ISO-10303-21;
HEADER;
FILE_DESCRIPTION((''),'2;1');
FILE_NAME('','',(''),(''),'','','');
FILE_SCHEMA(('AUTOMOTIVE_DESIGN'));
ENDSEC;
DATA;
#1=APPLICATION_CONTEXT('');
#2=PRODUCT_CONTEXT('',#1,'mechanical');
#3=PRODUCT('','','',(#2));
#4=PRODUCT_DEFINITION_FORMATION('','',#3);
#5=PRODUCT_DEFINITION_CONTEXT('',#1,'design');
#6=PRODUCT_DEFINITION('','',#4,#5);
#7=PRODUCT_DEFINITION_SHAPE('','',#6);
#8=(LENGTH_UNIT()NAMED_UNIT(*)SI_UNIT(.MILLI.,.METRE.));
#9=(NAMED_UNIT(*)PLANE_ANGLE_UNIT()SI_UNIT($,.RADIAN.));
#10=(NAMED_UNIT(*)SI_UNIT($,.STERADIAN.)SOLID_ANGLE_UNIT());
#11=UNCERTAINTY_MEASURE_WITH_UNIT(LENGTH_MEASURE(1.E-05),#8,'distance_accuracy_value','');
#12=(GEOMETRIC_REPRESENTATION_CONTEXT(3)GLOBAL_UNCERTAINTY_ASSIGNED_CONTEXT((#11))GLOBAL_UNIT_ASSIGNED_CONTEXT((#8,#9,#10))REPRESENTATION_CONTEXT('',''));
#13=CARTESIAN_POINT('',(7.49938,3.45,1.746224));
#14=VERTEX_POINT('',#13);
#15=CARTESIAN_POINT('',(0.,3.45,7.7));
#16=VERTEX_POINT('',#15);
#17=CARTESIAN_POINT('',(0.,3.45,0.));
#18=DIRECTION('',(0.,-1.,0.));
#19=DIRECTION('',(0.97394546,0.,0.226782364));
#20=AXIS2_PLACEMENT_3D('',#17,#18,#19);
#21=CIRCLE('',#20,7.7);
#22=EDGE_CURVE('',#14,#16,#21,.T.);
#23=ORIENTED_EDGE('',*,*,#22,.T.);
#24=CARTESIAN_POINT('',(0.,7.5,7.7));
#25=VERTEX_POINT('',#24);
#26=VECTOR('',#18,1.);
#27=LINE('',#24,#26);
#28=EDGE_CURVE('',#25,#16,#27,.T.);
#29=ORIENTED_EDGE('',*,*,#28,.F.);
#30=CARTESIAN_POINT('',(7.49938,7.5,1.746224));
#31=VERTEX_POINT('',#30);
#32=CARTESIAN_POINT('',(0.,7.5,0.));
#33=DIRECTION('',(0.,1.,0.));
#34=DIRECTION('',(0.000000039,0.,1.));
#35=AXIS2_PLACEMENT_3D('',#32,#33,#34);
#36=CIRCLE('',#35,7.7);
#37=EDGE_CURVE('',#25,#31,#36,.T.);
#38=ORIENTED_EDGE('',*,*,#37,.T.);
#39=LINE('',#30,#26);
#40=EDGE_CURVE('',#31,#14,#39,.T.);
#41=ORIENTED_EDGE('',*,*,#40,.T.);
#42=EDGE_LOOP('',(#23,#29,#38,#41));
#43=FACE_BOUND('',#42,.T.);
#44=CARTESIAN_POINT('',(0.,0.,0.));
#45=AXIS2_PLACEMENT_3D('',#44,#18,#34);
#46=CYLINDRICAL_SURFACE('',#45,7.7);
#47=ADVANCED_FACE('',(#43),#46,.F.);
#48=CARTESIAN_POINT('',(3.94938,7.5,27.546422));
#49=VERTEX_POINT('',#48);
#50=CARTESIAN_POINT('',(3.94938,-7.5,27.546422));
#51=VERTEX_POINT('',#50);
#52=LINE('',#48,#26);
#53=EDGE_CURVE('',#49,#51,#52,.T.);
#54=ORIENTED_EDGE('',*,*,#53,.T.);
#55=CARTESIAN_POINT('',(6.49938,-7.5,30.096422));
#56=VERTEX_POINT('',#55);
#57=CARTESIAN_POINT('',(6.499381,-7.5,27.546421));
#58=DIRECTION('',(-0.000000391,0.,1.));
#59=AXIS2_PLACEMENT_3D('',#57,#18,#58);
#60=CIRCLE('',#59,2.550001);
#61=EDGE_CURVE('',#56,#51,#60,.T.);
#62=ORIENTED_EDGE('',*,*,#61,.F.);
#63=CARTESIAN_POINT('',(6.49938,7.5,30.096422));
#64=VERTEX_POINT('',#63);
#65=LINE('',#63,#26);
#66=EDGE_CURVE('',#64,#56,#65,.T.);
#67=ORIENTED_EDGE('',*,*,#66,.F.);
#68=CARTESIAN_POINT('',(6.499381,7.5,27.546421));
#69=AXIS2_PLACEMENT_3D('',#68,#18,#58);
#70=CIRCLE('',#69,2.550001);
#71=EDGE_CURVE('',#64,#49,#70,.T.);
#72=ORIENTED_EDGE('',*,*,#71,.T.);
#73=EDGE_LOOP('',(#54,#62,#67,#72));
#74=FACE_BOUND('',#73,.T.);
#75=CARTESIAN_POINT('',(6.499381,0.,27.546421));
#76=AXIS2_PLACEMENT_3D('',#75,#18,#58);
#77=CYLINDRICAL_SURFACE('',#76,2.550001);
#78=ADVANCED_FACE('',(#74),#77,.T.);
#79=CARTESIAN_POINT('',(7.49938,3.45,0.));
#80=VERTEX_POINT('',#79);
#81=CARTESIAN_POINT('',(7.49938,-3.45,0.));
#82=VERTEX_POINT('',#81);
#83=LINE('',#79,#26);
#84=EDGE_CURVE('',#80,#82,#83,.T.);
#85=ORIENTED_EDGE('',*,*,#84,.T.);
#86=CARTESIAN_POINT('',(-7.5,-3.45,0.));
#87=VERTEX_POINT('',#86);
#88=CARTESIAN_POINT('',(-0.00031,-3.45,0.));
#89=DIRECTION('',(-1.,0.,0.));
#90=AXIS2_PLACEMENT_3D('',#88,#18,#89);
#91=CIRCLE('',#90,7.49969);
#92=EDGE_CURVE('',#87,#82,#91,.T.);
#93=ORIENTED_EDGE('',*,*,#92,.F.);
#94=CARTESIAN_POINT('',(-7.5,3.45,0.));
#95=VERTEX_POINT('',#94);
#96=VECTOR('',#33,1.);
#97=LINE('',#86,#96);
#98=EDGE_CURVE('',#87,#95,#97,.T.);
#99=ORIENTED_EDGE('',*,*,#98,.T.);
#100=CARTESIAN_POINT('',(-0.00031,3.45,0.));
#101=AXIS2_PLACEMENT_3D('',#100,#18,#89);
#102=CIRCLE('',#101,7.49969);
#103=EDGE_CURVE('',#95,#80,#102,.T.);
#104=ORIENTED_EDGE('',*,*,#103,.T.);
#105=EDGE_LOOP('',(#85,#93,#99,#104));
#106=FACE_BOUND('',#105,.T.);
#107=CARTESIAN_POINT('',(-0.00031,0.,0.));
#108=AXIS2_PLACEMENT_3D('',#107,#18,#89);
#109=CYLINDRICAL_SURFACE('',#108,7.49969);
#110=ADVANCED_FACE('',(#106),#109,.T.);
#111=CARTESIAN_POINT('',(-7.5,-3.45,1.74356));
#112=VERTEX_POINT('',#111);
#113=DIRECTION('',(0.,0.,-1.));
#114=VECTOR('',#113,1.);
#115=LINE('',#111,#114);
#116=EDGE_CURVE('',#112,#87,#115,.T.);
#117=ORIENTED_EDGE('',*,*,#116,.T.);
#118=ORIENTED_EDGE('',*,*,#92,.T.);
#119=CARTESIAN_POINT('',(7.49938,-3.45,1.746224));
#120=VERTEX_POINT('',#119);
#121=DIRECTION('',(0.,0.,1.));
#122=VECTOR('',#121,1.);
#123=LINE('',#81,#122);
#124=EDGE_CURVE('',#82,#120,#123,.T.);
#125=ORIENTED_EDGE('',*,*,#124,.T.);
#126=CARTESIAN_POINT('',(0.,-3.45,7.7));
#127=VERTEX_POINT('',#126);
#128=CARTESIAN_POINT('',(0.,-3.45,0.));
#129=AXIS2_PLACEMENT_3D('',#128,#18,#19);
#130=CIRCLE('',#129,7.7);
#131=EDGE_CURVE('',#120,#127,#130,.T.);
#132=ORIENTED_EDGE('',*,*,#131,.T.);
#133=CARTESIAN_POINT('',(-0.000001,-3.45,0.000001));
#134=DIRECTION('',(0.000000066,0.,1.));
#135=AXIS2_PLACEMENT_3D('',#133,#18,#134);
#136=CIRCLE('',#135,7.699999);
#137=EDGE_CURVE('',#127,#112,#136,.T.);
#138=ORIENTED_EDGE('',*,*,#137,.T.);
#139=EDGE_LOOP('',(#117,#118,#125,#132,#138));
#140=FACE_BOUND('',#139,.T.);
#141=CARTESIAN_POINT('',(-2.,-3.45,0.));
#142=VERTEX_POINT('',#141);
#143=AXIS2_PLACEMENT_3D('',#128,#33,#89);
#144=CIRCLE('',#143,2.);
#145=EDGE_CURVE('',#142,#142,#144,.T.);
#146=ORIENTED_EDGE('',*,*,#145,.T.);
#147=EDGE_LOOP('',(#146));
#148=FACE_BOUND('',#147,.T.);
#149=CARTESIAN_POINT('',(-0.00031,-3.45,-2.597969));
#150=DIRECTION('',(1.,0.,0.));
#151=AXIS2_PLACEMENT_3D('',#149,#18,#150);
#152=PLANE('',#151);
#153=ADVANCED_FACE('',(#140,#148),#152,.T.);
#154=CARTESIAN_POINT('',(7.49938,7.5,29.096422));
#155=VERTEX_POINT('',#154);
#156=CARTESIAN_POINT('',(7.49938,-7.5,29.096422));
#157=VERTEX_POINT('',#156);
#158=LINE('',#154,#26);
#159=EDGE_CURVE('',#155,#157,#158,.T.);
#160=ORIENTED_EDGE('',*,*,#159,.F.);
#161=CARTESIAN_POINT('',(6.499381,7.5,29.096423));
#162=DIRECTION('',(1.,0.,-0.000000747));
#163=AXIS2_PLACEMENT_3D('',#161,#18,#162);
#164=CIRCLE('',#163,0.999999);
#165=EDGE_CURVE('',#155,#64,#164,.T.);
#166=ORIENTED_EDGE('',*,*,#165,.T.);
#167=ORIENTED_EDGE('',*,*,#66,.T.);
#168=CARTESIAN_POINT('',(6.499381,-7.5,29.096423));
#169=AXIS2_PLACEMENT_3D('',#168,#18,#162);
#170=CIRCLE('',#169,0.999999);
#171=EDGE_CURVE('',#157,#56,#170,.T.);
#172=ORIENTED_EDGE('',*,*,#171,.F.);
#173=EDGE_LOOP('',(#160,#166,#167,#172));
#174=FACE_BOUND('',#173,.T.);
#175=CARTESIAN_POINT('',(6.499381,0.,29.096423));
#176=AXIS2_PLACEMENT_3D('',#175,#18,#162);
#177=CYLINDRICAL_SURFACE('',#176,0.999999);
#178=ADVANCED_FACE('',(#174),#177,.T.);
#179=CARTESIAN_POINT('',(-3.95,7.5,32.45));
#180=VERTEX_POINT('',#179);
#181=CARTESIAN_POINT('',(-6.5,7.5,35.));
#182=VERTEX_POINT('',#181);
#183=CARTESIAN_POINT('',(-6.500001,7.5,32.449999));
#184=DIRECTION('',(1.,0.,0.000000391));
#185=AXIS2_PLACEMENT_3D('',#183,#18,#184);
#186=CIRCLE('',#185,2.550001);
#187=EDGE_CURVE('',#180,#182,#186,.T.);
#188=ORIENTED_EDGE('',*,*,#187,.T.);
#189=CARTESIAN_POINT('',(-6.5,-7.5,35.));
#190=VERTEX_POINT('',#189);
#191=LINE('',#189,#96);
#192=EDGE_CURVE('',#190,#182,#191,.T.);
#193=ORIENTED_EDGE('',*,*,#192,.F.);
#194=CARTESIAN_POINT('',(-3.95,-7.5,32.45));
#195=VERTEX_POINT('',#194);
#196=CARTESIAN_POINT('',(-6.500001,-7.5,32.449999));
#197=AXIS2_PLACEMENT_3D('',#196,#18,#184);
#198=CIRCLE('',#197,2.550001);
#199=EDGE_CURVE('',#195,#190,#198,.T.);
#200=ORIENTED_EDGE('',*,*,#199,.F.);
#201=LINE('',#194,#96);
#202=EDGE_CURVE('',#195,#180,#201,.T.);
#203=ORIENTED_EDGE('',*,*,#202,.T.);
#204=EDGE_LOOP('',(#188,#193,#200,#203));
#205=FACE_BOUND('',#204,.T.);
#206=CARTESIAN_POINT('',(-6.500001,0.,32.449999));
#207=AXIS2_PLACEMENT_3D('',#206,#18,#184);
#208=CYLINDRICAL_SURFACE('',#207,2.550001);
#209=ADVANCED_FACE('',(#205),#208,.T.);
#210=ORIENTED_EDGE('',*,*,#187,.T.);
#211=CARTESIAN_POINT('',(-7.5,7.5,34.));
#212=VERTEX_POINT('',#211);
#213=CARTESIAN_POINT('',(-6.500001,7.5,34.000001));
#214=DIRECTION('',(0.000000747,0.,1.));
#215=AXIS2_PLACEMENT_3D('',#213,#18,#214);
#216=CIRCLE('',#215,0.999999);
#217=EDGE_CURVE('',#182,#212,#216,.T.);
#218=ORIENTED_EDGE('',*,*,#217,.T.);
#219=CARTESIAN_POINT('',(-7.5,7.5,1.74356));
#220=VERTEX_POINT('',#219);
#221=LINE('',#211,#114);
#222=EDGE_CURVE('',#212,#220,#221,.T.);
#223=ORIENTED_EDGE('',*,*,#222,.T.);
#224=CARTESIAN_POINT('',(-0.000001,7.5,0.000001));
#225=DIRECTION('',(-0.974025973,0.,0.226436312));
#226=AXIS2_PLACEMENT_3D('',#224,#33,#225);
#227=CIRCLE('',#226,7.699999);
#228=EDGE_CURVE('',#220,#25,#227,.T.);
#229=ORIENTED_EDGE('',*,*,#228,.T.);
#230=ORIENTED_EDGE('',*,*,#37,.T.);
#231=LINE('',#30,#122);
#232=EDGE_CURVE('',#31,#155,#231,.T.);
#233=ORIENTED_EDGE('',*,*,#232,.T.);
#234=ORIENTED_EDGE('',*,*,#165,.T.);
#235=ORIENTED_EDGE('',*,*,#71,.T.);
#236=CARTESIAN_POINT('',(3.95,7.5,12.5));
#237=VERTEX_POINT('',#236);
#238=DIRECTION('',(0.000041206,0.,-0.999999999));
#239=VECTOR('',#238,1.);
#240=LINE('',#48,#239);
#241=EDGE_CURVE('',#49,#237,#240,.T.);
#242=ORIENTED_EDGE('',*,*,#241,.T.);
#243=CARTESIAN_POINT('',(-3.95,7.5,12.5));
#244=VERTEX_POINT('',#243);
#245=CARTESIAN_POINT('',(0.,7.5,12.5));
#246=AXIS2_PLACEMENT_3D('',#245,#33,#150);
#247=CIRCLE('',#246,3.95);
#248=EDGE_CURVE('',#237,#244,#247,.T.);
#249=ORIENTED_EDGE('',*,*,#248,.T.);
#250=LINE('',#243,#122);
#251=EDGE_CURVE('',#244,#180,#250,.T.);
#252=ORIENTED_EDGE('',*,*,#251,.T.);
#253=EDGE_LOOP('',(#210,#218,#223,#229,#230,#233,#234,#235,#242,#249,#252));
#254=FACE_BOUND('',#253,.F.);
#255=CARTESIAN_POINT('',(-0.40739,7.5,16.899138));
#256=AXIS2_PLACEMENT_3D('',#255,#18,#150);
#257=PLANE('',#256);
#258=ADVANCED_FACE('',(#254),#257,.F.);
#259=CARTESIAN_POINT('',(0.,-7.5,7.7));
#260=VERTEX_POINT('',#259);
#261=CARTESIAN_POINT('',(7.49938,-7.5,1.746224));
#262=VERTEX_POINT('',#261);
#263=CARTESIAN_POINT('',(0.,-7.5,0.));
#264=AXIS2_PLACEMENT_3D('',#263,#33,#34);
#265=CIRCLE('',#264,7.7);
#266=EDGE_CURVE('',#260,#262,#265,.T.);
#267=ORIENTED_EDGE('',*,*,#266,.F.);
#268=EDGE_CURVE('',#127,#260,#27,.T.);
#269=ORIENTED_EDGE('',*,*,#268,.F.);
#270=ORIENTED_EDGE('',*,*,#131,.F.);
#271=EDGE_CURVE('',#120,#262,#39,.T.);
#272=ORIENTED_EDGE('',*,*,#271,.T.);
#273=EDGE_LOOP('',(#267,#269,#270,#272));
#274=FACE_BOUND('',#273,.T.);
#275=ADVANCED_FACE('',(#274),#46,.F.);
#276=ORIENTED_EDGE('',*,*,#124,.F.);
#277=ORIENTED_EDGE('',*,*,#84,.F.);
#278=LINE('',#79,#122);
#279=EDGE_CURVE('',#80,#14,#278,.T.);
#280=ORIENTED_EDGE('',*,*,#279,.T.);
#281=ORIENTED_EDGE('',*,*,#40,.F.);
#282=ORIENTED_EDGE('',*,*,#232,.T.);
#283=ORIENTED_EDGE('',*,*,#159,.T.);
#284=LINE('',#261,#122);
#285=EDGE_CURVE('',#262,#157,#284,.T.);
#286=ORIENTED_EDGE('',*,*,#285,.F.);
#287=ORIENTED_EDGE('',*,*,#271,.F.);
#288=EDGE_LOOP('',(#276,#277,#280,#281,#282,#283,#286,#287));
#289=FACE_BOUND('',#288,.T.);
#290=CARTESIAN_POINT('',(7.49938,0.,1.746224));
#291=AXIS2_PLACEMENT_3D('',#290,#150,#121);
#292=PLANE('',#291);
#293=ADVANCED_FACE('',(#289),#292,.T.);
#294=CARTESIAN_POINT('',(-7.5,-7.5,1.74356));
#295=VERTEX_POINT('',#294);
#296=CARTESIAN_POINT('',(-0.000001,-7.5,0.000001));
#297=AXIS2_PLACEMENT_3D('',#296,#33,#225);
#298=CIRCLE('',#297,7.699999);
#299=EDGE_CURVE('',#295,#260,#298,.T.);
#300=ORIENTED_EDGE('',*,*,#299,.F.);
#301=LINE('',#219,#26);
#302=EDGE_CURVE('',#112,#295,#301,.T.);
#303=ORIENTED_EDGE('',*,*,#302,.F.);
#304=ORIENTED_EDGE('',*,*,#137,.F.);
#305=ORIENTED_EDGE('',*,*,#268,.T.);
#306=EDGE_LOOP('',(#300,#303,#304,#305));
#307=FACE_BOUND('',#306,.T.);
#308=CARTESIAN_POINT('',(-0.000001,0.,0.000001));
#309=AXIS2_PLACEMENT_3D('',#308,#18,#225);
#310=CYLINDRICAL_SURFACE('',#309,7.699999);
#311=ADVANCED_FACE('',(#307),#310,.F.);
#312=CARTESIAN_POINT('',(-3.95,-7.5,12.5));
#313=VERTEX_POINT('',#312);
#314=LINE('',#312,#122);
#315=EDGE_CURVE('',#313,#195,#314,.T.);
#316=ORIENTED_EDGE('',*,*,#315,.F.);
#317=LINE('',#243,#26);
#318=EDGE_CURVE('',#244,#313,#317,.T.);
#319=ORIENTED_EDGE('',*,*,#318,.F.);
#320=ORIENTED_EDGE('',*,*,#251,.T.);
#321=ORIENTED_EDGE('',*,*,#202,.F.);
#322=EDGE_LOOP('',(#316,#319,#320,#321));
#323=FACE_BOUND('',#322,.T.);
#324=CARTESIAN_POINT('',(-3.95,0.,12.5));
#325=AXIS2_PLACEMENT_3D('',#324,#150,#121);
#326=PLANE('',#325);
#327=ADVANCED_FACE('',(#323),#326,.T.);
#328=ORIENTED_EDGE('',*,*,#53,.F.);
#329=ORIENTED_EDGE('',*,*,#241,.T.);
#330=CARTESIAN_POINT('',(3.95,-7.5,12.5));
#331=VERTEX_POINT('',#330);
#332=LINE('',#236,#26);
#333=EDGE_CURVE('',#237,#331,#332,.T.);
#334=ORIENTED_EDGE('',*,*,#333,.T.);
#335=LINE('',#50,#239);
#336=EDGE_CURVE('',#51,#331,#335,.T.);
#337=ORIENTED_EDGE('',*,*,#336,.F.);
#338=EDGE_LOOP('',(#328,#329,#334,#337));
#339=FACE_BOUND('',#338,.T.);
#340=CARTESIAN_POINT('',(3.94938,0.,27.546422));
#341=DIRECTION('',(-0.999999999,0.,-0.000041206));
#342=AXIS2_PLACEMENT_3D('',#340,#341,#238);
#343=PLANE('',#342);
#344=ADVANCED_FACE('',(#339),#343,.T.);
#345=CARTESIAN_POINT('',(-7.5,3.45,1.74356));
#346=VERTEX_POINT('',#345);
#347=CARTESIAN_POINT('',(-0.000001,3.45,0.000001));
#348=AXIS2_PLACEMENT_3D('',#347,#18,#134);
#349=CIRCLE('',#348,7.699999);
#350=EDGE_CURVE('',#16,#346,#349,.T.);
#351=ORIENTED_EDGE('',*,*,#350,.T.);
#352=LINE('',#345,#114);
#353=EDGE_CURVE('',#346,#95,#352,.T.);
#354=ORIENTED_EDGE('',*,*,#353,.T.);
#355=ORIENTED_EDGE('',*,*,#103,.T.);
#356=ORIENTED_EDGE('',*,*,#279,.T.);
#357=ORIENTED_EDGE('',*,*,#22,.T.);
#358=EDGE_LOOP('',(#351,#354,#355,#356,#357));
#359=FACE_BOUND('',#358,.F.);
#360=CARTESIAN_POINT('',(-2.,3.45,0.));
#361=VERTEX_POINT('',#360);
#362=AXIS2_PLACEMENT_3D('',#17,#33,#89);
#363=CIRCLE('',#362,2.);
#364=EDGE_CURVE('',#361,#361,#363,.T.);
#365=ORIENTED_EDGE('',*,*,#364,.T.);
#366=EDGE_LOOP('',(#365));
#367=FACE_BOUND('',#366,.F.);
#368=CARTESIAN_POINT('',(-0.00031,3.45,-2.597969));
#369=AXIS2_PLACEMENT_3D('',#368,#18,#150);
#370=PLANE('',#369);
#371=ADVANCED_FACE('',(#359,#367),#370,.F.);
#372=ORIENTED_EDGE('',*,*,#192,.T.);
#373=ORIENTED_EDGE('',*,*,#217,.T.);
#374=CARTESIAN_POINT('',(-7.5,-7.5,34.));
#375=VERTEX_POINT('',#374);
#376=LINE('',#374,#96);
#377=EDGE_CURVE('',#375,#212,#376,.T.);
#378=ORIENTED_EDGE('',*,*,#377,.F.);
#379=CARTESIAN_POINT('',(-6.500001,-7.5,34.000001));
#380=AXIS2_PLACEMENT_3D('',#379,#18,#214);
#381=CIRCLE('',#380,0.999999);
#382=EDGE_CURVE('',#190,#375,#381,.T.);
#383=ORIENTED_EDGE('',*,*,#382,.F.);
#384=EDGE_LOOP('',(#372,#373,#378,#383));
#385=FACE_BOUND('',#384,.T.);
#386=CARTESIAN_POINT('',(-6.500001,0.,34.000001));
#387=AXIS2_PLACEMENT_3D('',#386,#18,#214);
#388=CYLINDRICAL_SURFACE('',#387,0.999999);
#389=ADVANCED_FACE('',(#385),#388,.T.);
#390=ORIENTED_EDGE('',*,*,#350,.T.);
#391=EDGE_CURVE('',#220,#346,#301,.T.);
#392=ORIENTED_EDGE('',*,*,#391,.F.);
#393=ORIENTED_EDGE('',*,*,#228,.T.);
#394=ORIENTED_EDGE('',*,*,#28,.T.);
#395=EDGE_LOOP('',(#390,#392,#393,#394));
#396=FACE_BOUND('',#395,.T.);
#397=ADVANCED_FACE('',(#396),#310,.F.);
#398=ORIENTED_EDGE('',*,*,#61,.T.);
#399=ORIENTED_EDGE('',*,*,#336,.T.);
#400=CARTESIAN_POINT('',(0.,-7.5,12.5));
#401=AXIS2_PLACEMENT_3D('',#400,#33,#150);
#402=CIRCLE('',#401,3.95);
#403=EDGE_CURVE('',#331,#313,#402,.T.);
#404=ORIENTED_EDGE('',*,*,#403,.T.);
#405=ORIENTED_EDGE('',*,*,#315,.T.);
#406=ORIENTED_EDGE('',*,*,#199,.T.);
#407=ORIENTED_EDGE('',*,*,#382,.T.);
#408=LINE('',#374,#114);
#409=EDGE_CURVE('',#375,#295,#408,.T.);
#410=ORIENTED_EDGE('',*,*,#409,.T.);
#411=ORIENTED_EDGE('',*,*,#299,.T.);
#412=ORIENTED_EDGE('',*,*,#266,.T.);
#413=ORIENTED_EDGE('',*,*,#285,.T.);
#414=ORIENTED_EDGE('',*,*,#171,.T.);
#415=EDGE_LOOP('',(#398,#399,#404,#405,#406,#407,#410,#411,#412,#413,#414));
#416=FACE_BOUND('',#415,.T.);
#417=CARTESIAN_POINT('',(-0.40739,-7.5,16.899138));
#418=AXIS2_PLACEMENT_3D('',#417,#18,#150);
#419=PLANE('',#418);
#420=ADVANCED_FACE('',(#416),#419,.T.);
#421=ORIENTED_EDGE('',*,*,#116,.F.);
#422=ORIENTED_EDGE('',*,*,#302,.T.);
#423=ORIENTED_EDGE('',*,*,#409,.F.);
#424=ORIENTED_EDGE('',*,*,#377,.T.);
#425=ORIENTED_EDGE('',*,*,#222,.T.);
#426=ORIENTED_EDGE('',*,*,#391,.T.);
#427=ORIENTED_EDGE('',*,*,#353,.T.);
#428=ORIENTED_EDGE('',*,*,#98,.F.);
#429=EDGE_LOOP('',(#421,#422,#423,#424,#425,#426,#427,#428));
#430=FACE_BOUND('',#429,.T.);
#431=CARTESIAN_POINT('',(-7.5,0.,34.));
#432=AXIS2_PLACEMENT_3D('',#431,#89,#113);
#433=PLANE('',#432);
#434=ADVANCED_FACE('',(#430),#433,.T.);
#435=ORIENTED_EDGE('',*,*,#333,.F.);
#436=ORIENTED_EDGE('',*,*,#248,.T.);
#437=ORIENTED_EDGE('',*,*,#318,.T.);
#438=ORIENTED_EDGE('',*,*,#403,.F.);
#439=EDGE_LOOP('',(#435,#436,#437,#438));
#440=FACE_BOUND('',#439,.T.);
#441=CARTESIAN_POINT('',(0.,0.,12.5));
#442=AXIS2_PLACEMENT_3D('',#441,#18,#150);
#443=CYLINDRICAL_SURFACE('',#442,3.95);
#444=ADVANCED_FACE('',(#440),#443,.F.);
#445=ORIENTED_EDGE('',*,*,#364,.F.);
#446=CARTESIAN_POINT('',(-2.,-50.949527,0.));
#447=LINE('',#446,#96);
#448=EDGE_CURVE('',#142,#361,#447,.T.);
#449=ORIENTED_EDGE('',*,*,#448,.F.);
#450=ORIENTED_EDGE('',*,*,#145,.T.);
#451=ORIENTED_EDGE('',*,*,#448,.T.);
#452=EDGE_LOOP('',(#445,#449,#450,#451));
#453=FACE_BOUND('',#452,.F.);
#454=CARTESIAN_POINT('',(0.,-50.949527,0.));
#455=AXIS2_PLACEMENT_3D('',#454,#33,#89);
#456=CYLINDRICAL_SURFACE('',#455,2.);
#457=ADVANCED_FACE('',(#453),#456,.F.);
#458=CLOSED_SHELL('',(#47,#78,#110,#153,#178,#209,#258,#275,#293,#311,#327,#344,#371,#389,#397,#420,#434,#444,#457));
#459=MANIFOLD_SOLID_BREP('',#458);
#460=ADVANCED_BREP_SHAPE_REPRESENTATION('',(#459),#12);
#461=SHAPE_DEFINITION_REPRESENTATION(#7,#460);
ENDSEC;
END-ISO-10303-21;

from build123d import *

# Parameters (mm, degrees)
F1_DEPTH = 7.5
F2_DEPTH = 3.45
F4_D     = 4


with BuildPart() as f1:
    # F0 (on Front) → F1 (new body, symmetric)
    with BuildSketch(Plane.XZ):
        with BuildLine():
            Line((-7.5, 34), (-7.5, 1.74356))
            ThreePointArc((-7.5, 1.74356), (-4.788768, 6.029735), (0, 7.7))
            ThreePointArc((0, 7.7), (4.787697, 6.030585), (7.49938, 1.746224))
            Line((7.49938, 1.746224), (7.49938, 29.096422))
            ThreePointArc((7.49938, 29.096422), (7.206487, 29.803529), (6.49938, 30.096422))
            ThreePointArc((6.49938, 30.096422), (4.696258, 29.349544), (3.94938, 27.546422))
            Line((3.94938, 27.546422), (3.95, 12.5))
            ThreePointArc((3.95, 12.5), (0, 8.55), (-3.95, 12.5))
            Line((-3.95, 12.5), (-3.95, 32.45))
            ThreePointArc((-3.95, 32.45), (-4.696878, 34.253122), (-6.5, 35))
            ThreePointArc((-6.5, 35), (-7.207107, 34.707107), (-7.5, 34))
        make_face()
    extrude(amount=F1_DEPTH, both=True)

    # F0 (on Front) → F2 (join, symmetric)
    with BuildSketch(Plane.XZ):
        with BuildLine():
            Line((0, 0), (-7.5, 0))
            ThreePointArc((-7.5, 0), (-0.00031, -7.49969), (7.49938, 0))
            Line((7.49938, 0), (0, 0))
        make_face()
        with BuildLine():
            Line((-7.5, 1.74356), (-7.5, 0))
            Line((-7.5, 0), (0, 0))
            Line((0, 0), (0, 7.7))
            ThreePointArc((0, 7.7), (-4.788768, 6.029735), (-7.5, 1.74356))
        make_face()
        with BuildLine():
            Line((0, 0), (7.49938, 0))
            Line((7.49938, 0), (7.49938, 1.746224))
            ThreePointArc((7.49938, 1.746224), (4.787697, 6.030585), (0, 7.7))
            Line((0, 7.7), (0, 0))
        make_face()
    extrude(amount=F2_DEPTH, both=True)

    # F4 (through all)
    with Locations(Plane.XZ.offset(3.45)):
        with Locations((0, 0)):
            Hole(F4_D / 2)


solid = f1.part
